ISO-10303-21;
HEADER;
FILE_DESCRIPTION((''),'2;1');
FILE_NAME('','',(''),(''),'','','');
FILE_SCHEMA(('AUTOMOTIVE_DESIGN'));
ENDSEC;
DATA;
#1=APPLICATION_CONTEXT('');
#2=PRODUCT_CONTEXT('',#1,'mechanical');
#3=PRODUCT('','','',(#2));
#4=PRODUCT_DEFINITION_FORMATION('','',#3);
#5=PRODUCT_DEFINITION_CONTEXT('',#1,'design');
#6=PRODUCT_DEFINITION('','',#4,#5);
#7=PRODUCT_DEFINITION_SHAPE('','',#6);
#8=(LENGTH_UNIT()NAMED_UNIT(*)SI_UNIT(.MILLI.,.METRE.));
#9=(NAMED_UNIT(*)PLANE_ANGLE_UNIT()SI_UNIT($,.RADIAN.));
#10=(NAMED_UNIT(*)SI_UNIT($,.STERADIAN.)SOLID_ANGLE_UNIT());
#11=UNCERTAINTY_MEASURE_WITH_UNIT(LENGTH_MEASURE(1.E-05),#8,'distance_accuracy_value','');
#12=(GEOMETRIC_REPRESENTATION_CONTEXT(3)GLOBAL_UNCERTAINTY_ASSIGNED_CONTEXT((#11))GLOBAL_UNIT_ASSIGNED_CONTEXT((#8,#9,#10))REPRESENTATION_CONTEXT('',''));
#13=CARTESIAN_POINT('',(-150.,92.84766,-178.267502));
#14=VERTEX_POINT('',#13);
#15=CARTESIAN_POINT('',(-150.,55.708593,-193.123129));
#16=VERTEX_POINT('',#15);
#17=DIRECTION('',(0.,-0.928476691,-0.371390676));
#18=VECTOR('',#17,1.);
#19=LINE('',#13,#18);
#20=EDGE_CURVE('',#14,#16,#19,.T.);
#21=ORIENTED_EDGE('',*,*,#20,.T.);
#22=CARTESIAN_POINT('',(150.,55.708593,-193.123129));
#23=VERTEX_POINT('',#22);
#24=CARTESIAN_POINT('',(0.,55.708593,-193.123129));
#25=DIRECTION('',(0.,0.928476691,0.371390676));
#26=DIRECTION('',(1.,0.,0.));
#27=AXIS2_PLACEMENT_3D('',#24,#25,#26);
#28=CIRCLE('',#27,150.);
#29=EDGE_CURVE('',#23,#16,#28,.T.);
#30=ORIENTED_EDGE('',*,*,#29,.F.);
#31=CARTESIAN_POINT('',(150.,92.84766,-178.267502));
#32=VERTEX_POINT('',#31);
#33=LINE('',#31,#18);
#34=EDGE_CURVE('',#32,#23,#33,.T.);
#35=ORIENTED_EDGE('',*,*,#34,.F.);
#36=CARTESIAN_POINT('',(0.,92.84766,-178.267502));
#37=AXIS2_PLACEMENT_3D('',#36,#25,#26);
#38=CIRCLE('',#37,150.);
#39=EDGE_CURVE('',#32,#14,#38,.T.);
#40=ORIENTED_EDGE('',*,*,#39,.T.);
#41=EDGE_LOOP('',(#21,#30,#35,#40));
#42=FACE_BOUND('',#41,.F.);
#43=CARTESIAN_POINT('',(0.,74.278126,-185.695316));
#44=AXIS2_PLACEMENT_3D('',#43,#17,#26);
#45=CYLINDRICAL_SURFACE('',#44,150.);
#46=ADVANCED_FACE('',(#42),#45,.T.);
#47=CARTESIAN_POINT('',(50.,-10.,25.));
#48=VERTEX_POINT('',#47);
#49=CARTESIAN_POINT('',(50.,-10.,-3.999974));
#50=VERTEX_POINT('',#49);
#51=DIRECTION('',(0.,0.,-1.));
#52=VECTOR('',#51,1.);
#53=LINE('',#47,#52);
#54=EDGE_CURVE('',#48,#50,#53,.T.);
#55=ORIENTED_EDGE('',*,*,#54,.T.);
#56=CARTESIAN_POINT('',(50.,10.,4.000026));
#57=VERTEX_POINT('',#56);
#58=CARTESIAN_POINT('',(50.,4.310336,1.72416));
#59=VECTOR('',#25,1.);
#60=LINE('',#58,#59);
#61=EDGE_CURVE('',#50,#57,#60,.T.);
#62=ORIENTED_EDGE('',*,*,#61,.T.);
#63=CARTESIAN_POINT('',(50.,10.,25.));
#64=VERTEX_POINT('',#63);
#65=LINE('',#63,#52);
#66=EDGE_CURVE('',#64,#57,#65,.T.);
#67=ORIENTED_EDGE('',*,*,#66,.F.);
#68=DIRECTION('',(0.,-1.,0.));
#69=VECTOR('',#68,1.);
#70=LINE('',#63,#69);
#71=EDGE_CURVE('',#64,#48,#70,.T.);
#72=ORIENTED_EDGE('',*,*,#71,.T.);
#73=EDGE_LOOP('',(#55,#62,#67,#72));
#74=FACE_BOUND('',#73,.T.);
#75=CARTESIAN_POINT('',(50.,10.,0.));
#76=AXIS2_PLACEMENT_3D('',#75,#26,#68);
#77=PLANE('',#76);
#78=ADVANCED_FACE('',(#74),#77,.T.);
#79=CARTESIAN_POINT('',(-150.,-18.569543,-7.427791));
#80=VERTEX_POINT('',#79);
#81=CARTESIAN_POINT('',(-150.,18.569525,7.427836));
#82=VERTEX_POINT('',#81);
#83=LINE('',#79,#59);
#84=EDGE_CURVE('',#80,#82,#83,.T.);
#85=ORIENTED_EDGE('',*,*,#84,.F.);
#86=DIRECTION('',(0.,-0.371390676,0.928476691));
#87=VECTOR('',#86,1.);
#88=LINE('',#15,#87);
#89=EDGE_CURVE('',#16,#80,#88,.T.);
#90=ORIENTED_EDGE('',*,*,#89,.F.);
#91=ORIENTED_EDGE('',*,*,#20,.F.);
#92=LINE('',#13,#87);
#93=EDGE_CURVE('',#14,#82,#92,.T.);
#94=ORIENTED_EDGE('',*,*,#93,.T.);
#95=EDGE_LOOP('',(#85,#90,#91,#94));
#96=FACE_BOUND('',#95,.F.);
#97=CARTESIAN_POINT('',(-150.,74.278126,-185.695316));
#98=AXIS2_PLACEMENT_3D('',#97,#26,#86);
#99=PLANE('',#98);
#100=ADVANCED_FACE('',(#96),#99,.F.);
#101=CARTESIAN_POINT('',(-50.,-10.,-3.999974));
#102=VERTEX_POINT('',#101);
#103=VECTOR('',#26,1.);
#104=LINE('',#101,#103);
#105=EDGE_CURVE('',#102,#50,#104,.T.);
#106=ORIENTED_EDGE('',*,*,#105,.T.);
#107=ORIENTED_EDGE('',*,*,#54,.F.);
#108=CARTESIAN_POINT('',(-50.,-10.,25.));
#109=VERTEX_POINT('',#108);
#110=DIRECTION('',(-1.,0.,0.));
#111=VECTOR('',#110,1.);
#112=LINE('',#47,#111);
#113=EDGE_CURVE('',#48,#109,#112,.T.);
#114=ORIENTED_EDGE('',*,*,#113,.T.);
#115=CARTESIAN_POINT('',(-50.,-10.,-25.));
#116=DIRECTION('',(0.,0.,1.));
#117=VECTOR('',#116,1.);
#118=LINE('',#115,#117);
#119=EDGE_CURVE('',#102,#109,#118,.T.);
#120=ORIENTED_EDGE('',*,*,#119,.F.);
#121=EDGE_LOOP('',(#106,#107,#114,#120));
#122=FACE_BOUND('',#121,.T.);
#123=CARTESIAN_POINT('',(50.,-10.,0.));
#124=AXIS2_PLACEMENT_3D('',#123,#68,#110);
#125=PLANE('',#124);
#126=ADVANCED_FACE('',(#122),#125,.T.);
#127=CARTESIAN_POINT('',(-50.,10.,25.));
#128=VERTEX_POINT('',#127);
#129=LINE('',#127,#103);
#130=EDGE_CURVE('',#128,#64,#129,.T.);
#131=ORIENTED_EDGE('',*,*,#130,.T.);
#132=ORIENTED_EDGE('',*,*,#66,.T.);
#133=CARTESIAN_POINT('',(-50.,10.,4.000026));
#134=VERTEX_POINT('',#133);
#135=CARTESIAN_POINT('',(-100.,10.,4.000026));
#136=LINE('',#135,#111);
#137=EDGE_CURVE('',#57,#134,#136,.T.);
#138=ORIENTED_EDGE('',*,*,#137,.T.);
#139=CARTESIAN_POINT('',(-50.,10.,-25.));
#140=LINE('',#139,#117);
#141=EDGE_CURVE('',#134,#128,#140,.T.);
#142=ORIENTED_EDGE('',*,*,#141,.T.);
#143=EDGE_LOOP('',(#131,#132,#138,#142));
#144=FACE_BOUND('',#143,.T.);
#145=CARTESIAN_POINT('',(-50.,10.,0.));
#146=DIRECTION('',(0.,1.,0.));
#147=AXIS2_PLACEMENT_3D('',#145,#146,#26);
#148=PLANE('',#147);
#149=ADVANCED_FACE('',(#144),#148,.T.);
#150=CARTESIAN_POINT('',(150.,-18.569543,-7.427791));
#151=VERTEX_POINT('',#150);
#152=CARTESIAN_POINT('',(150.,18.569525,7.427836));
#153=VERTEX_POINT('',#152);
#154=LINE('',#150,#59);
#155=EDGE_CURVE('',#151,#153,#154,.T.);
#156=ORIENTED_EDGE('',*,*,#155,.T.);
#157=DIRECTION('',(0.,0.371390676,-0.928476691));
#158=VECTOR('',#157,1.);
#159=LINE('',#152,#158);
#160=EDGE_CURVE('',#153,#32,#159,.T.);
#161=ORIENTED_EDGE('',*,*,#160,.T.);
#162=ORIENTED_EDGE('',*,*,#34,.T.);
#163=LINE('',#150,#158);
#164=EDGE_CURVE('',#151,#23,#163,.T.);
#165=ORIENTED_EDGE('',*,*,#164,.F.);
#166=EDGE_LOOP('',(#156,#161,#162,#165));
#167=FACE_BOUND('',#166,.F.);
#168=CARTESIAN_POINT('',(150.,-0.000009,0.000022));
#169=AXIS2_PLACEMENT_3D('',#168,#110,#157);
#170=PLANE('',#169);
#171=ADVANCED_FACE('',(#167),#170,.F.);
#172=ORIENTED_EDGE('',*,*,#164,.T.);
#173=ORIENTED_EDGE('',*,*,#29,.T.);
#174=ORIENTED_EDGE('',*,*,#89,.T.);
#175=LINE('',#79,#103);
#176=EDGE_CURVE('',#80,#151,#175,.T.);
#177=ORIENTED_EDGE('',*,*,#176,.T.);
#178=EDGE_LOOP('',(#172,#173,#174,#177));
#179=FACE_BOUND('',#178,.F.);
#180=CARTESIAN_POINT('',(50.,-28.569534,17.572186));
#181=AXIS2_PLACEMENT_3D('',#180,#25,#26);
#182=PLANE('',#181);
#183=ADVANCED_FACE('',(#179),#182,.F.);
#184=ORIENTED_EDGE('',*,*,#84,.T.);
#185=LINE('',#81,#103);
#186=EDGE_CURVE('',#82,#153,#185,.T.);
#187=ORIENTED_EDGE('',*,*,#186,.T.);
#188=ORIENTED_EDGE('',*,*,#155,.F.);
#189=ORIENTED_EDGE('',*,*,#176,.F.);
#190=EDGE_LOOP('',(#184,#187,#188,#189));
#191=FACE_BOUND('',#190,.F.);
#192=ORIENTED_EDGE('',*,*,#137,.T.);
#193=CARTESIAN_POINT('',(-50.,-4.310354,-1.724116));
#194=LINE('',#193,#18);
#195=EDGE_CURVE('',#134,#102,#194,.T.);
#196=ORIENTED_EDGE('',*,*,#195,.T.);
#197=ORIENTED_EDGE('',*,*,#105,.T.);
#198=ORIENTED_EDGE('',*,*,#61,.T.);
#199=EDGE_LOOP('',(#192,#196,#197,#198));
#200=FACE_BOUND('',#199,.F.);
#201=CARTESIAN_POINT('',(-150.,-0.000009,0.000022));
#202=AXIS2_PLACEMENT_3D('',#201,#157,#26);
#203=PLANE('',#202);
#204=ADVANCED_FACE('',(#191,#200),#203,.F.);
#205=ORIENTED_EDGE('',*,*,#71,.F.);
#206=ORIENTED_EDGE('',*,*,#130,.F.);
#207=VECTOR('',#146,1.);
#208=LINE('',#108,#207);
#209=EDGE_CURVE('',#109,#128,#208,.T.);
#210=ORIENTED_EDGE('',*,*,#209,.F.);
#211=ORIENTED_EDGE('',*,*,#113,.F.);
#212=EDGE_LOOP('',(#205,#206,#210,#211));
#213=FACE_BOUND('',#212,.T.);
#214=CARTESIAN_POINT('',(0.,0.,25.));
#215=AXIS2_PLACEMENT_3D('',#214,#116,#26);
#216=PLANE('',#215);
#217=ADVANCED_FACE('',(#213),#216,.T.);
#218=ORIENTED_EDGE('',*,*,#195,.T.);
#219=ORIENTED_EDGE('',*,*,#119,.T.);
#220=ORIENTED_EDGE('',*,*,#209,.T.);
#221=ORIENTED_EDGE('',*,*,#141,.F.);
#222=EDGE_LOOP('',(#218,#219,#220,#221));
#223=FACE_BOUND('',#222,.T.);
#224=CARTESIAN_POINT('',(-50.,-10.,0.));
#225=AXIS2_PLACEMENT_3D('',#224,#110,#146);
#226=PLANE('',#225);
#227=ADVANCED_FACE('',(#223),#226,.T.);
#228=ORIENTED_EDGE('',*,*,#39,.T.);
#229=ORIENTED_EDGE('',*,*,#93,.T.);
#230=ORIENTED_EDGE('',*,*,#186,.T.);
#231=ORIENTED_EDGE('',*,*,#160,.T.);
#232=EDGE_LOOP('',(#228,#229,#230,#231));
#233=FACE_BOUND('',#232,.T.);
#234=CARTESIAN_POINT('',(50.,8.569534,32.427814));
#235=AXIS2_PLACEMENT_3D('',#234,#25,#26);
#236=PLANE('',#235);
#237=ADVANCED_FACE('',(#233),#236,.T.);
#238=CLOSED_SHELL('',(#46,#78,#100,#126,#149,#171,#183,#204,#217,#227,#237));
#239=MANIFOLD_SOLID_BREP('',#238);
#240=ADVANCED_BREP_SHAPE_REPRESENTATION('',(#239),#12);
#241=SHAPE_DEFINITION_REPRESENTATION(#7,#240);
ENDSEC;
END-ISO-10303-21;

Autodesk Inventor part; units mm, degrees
ref_plane "YZ Plane" through (0, 0, 0) normal (1, 0, 0) x (0, 1, 0)
ref_plane "XZ Plane" through (0, 0, 0) normal (0, 1, 0) x (-1, 0, 0)
sketch "Sketch1" plane through (0, 0, 0) normal (0, 0, 1) x (1, 0, 0)
  line L0 (-50, 10) -> (50, 10)
  line L1 (50, 10) -> (50, -10)
  line L2 (50, -10) -> (-50, -10)
  line L3 (-50, -10) -> (-50, 10)
  line L4 (-50, 10) -> (50, -10) construction
  line L5 (50, 10) -> (-50, -10) construction
  point P0 (0, 0)
  dimension "d0" = 100
  dimension "d1" = 20
extrude "Extrusion1" add sketch "Sketch1" along normal mid plane 50
sketch "Sketch2" plane through (0, 0, 0) normal (0, 0, 1) x (1, 0, 0)
  point P0 (0, 0)
ref_plane "Work Plane1" through (50, -10, 25) normal (0, 0.9285, 0.3714) x (1, 0, 0)
sketch "Sketch3" plane through (50, -10, 25) normal (1, 0, 0) x (0, 0, -1)
  point P0 (25, 10)
sketch "Sketch4" plane through (50, -10, 25) normal (0, 0.9285, 0.3714) x (1, 0, 0)
  line L0 (0, 0) -> (0, 46.4238) construction
  line L1 (0, 26.9258) -> (-109.9781, 26.9258) construction
  line L2 (-200, 26.9258) -> (100, 26.9258)
  line L3 (100, 26.9258) -> (100, 226.9258)
  line L4 (-200, 226.9258) -> (-200, 26.9258)
  arc A0 (100, 226.9258) -> (-200, 226.9258) centre (-50, 226.9258) ccw
  point P0 (-50, 26.9258)
  dimension "d4" = 300
  dimension "d5" = 200
  dimension "d6" = 300
  dimension "d7" = 100
  dimension "d8" = 19.498
  dimension "d9" = 109.9781
extrude "Extrusion2" add sketch "Sketch4" along normal mid plane 40
properties part number "Aparture_door"
